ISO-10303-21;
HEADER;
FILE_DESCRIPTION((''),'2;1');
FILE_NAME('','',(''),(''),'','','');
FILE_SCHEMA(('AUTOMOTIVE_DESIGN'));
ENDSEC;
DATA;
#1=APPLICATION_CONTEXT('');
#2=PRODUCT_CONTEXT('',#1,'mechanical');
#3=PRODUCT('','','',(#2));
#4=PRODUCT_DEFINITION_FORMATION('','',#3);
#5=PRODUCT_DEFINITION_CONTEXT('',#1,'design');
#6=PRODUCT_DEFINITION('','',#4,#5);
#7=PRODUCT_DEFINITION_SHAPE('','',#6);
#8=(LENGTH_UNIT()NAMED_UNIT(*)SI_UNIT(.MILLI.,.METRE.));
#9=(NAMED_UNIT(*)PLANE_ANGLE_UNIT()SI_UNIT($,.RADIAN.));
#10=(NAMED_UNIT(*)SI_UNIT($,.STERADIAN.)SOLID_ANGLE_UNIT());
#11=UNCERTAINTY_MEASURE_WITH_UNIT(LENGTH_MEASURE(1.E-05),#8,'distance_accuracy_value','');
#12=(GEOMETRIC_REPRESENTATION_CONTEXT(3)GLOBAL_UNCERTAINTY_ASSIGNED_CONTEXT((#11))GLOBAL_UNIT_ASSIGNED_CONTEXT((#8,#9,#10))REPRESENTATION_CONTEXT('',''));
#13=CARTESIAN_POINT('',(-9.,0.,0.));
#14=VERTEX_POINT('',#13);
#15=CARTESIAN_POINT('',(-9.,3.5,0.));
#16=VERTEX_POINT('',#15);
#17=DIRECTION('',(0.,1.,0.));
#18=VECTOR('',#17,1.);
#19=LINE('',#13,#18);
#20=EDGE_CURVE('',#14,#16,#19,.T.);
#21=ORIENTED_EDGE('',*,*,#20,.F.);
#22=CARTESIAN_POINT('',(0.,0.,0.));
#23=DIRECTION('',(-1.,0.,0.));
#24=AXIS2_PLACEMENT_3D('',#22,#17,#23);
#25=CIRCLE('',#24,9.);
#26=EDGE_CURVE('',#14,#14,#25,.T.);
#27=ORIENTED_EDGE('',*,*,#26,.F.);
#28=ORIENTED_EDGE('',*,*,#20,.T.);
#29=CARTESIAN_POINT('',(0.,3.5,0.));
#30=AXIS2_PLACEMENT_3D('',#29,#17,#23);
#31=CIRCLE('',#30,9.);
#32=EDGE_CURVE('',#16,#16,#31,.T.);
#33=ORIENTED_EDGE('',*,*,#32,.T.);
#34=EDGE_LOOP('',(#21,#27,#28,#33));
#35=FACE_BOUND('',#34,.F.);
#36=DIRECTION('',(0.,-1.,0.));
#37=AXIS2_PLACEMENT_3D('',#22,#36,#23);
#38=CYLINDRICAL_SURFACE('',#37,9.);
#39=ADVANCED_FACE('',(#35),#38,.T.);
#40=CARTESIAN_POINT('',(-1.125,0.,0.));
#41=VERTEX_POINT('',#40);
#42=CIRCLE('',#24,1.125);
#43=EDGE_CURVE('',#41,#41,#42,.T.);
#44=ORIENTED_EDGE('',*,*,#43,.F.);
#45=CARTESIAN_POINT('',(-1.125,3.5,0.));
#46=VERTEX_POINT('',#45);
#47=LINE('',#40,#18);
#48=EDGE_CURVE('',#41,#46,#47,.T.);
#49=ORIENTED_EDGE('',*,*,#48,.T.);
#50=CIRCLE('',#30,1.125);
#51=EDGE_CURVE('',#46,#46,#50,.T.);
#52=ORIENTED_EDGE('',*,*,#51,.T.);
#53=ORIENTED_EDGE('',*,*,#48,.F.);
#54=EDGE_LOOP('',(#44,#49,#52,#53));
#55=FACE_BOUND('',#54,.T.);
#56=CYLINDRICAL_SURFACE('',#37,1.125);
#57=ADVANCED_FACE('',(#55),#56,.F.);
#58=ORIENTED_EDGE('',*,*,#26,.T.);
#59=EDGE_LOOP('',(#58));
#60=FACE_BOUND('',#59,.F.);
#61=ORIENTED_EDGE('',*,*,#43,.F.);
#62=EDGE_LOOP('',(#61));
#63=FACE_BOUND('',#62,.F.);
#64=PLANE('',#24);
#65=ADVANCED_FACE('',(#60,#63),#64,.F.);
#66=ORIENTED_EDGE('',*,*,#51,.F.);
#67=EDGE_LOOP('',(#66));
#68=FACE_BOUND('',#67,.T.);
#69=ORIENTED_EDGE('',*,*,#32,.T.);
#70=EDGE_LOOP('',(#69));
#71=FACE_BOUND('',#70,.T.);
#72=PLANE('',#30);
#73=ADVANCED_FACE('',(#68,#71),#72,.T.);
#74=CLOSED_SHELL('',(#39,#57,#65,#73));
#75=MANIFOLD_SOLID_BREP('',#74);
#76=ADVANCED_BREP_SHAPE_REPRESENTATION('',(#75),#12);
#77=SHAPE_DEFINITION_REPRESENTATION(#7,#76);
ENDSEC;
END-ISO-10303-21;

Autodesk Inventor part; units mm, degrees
ref_plane "YZ Plane" through (0, 0, 0) normal (1, 0, 0) x (0, 1, 0)
ref_plane "XZ Plane" through (0, 0, 0) normal (0, 1, 0) x (-1, 0, 0)
ref_plane "XY Plane" through (0, 0, 0) normal (0, 0, 1) x (1, 0, 0)
sketch "Sketch1" plane through (0, 0, 0) normal (0, 1, 0) x (-1, 0, 0)
  circle A0 centre (0, 0) radius 9
  circle A1 centre (0, 0) radius 1.125
  dimension "d0" = 18
  dimension "d1" = 2.25
extrude "Extrusion1" add sketch "Sketch1" along normal blind 3.5
properties part number "Belt_Bearing_Holder_p2"
